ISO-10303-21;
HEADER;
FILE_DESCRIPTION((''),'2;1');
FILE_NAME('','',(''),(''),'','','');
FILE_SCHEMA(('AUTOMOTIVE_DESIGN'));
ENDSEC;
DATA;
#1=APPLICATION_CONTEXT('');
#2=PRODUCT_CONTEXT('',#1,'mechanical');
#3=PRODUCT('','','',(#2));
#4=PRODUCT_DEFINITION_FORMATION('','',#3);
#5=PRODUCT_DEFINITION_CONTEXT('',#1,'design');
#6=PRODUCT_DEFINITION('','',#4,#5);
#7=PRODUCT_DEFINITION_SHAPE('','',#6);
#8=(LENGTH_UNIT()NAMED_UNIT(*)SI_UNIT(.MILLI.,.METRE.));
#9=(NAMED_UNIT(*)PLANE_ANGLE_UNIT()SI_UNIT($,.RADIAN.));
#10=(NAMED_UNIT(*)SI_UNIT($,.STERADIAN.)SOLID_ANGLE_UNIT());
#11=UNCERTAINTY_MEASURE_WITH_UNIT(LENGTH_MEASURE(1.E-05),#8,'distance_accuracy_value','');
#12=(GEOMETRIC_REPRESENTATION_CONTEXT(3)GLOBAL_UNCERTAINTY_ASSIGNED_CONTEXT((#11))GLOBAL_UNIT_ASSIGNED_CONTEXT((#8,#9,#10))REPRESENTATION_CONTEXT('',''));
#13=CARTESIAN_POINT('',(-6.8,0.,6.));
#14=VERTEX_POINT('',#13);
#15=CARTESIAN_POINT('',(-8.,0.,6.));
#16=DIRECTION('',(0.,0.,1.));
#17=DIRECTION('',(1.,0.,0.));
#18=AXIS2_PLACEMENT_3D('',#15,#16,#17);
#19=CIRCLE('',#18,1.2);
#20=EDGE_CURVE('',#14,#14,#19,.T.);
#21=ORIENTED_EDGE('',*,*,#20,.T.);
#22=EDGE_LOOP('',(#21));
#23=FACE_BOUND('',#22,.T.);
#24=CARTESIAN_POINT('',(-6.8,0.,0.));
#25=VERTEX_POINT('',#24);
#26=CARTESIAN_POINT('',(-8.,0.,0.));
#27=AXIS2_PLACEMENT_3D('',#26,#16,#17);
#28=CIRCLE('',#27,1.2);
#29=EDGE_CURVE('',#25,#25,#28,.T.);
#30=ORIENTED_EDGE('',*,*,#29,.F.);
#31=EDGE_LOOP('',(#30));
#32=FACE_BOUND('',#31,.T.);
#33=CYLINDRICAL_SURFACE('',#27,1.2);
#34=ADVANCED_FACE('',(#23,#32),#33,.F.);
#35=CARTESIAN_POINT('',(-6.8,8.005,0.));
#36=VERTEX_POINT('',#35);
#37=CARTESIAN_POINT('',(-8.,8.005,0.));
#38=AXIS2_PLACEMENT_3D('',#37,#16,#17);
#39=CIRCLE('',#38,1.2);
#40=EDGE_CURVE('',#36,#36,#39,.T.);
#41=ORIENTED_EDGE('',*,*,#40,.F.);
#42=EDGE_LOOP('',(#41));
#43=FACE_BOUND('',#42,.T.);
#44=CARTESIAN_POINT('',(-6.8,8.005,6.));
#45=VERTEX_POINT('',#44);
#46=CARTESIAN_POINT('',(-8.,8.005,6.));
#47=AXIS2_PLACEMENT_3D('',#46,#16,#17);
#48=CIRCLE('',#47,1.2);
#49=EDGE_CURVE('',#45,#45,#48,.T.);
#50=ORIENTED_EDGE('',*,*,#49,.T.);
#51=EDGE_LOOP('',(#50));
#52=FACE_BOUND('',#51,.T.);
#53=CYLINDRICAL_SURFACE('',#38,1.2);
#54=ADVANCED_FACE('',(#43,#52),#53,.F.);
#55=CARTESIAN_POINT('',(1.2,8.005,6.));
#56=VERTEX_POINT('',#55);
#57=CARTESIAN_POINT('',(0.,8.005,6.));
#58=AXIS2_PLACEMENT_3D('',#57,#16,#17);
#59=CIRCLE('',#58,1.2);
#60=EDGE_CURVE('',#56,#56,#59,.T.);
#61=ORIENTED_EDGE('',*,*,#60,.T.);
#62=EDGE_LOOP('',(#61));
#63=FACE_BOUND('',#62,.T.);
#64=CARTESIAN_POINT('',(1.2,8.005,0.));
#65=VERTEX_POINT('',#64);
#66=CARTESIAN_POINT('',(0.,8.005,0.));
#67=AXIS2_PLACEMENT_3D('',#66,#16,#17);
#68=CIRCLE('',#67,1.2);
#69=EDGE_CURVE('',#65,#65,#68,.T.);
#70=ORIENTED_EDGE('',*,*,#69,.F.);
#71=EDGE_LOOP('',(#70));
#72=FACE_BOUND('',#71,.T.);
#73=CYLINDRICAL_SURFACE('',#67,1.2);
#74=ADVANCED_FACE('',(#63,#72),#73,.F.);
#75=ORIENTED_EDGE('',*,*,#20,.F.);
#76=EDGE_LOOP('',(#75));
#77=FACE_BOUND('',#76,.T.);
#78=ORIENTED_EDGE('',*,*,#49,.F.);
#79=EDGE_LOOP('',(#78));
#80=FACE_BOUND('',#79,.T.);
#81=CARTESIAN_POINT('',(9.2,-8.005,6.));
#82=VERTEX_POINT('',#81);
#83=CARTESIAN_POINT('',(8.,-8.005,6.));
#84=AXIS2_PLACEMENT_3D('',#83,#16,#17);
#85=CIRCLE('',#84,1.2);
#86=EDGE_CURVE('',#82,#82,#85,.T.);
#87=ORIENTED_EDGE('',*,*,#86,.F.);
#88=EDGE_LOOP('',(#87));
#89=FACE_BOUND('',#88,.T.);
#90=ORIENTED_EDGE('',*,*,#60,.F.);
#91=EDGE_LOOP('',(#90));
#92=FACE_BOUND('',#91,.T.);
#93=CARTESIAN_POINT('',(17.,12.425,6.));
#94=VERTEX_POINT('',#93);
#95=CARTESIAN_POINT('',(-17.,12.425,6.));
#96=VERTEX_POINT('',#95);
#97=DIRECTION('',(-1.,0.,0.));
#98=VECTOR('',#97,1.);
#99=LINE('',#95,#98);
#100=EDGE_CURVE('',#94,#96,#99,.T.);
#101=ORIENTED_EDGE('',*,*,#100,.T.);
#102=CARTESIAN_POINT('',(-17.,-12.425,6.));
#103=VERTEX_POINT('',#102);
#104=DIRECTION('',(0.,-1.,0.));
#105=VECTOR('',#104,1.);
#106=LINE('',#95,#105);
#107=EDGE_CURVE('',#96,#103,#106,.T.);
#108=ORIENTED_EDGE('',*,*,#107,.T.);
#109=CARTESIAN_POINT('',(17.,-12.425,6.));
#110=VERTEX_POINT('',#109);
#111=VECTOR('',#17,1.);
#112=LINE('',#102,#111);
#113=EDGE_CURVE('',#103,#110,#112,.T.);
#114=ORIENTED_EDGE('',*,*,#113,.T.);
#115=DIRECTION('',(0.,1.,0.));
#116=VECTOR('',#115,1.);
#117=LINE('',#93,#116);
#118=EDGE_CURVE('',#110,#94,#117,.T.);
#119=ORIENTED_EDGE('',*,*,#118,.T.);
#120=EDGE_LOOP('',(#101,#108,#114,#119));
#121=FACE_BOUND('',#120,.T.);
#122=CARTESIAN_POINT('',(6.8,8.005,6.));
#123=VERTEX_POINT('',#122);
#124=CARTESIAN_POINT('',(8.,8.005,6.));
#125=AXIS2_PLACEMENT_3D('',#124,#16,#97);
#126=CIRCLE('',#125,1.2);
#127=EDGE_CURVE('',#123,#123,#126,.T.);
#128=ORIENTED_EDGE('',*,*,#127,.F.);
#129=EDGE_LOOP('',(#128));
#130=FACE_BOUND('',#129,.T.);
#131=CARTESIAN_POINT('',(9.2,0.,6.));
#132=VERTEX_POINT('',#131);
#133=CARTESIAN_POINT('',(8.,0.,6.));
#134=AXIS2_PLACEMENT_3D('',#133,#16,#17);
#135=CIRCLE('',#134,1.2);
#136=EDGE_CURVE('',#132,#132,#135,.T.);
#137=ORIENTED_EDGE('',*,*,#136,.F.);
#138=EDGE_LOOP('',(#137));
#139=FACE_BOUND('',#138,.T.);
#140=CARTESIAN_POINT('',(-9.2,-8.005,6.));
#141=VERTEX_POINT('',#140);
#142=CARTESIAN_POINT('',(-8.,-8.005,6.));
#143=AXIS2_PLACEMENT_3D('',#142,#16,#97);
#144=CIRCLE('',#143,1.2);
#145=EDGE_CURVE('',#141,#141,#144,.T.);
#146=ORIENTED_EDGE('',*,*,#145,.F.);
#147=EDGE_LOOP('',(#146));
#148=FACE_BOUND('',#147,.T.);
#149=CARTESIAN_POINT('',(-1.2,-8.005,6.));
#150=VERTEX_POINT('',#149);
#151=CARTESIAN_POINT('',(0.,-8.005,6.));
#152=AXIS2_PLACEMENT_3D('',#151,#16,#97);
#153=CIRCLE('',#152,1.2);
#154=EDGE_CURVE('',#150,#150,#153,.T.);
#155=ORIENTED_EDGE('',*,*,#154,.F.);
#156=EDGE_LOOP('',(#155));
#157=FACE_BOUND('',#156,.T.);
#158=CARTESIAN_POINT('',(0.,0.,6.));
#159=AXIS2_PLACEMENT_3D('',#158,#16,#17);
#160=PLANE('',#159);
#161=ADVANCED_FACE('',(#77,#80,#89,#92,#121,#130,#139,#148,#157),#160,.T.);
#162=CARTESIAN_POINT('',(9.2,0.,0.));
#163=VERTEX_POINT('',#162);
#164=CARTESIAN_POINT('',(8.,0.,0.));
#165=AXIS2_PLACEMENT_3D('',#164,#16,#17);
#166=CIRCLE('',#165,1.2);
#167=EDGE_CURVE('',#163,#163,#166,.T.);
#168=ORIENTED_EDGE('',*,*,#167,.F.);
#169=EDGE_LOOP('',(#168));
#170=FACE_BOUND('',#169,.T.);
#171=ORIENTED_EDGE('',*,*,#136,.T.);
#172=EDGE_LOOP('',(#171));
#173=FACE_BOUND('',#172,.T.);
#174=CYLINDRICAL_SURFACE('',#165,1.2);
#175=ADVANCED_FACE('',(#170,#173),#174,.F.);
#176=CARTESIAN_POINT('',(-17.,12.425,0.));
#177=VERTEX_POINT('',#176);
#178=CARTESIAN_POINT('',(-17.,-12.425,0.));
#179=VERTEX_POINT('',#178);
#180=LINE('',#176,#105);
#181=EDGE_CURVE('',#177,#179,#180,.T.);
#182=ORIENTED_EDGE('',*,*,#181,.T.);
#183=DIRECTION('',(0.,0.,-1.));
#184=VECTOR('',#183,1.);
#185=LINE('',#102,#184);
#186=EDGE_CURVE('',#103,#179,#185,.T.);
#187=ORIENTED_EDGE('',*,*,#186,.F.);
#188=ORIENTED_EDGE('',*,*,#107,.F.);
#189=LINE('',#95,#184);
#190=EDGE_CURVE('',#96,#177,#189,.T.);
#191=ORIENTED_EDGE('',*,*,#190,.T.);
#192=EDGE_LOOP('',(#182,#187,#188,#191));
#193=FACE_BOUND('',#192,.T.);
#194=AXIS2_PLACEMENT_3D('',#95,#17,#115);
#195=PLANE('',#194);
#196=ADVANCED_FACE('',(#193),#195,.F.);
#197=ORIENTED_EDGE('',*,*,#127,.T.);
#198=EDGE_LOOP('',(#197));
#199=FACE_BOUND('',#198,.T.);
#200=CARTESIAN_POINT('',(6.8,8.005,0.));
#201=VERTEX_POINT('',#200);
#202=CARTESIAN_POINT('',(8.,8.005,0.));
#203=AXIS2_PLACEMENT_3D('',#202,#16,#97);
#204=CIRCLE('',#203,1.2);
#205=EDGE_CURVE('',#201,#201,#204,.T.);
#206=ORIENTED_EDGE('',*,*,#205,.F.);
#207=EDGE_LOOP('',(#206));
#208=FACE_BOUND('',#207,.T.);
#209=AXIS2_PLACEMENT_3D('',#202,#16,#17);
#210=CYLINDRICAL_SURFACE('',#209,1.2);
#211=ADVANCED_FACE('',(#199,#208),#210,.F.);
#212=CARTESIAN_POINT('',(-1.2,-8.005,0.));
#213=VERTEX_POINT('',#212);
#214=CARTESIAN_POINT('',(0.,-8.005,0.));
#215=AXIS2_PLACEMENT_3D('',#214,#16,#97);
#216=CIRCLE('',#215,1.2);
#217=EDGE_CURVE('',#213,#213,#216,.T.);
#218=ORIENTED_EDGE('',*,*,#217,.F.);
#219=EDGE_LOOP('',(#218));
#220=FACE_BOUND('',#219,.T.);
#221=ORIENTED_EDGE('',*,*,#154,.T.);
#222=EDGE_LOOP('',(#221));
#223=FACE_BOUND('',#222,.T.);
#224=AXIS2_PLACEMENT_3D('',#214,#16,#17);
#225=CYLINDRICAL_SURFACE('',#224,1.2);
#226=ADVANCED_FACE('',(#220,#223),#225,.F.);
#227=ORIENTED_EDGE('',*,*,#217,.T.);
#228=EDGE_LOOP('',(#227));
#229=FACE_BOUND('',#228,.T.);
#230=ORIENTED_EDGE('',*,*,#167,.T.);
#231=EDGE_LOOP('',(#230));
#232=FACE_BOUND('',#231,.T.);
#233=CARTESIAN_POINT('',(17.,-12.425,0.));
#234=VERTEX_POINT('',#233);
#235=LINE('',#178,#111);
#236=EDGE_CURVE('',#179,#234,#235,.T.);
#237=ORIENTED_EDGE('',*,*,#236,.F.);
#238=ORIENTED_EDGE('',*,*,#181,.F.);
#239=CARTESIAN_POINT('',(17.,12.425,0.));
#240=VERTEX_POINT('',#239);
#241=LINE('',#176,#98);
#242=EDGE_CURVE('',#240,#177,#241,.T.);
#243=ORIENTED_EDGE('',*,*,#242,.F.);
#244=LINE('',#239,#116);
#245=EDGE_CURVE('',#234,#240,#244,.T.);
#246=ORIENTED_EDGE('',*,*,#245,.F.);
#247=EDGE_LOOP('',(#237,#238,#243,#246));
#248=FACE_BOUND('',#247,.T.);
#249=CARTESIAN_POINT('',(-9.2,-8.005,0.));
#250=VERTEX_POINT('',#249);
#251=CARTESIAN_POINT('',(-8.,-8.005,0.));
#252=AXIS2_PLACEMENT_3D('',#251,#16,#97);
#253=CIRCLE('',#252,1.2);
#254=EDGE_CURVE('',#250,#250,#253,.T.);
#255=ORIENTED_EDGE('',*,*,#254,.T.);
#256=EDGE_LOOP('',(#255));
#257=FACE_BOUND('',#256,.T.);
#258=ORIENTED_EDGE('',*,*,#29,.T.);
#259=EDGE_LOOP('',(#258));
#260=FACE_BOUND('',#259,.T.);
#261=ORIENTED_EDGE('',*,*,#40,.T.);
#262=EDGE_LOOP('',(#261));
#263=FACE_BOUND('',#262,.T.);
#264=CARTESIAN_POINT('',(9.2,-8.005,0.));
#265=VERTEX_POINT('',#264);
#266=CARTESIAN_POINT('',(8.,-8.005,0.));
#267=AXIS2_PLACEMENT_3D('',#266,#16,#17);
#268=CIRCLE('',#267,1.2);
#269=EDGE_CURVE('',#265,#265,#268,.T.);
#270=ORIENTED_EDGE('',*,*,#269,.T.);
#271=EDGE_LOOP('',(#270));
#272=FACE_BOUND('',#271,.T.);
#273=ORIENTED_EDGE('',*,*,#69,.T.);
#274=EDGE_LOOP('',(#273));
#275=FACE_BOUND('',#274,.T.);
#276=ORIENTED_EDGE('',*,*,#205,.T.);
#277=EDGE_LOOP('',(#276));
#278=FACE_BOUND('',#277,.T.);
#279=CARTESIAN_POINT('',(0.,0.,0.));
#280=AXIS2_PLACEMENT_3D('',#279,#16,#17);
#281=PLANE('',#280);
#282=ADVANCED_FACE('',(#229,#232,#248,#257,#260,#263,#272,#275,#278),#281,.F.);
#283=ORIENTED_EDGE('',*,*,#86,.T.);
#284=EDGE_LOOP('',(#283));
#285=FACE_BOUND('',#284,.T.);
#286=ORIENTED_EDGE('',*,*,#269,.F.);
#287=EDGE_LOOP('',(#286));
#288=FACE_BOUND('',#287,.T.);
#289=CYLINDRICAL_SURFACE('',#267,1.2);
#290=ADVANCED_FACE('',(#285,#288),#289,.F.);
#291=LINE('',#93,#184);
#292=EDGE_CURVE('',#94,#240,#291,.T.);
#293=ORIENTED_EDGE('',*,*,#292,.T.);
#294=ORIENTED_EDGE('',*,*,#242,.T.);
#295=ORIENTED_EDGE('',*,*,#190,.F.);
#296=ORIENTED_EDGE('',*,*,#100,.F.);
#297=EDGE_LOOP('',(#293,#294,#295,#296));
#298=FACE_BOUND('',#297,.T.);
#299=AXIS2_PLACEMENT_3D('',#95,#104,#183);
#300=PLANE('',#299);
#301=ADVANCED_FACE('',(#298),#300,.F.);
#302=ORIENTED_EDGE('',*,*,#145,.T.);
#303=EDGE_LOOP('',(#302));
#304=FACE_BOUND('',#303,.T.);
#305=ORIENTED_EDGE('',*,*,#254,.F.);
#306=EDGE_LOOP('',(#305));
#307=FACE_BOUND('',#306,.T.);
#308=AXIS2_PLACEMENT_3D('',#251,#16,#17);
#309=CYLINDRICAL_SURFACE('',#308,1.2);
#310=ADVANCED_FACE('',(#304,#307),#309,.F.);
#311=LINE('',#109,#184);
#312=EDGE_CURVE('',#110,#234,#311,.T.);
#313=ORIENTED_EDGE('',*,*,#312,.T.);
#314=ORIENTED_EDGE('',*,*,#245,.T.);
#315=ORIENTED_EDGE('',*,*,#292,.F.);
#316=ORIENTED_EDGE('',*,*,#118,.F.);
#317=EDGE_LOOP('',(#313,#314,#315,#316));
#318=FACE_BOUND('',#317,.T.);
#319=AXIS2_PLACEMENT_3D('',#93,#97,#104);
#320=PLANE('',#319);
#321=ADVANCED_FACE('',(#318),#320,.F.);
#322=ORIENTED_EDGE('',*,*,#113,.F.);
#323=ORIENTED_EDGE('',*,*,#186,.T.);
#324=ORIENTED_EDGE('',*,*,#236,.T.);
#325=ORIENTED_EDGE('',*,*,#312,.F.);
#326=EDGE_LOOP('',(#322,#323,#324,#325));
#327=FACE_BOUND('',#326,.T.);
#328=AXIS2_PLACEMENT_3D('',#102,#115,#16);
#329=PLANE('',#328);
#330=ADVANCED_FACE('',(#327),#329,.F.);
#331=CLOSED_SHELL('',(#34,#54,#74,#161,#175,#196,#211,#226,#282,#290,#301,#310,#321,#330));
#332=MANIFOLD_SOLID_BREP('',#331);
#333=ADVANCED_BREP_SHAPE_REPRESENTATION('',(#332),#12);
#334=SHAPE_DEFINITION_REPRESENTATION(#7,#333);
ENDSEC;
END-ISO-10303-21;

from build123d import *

# Parameters (mm, degrees)
ESQUISSE1_W             = 34
ESQUISSE1_H             = 24.85
BOSS_EXTRU_1_DEPTH      = 6
ESQUISSE2_R             = 1.2
ENL_V_MAT_EXTRU_1_DEPTH = 22.894762502


with BuildPart() as part:
    # Esquisse1 → Boss.-Extru.1 (new body)
    with BuildSketch(Plane.XY):
        Rectangle(ESQUISSE1_W, ESQUISSE1_H)
    extrude(amount=BOSS_EXTRU_1_DEPTH)

    # Esquisse2 → Enlèv. mat.-Extru.1 (cut, through all)
    with BuildSketch(Plane.XY.offset(6)):
        with Locations((-8, 8.005)):
            Circle(ESQUISSE2_R)
        with Locations(Location((8, 8.005, 0), (0, 0, 180))):
            Circle(ESQUISSE2_R)
        with Locations((0, 8.005)):
            Circle(ESQUISSE2_R)
        with Locations(Location((0, -8.005, 0), (0, 0, 180))):
            Circle(ESQUISSE2_R)
        with Locations((8, -8.005)):
            Circle(ESQUISSE2_R)
        with Locations(Location((-8, -8.005, 0), (0, 0, 180))):
            Circle(ESQUISSE2_R)
        with Locations((-8, 0)):
            Circle(ESQUISSE2_R)
        with Locations((8, 0)):
            Circle(ESQUISSE2_R)
    extrude(amount=-ENL_V_MAT_EXTRU_1_DEPTH, mode=Mode.SUBTRACT)


solid = part.part
